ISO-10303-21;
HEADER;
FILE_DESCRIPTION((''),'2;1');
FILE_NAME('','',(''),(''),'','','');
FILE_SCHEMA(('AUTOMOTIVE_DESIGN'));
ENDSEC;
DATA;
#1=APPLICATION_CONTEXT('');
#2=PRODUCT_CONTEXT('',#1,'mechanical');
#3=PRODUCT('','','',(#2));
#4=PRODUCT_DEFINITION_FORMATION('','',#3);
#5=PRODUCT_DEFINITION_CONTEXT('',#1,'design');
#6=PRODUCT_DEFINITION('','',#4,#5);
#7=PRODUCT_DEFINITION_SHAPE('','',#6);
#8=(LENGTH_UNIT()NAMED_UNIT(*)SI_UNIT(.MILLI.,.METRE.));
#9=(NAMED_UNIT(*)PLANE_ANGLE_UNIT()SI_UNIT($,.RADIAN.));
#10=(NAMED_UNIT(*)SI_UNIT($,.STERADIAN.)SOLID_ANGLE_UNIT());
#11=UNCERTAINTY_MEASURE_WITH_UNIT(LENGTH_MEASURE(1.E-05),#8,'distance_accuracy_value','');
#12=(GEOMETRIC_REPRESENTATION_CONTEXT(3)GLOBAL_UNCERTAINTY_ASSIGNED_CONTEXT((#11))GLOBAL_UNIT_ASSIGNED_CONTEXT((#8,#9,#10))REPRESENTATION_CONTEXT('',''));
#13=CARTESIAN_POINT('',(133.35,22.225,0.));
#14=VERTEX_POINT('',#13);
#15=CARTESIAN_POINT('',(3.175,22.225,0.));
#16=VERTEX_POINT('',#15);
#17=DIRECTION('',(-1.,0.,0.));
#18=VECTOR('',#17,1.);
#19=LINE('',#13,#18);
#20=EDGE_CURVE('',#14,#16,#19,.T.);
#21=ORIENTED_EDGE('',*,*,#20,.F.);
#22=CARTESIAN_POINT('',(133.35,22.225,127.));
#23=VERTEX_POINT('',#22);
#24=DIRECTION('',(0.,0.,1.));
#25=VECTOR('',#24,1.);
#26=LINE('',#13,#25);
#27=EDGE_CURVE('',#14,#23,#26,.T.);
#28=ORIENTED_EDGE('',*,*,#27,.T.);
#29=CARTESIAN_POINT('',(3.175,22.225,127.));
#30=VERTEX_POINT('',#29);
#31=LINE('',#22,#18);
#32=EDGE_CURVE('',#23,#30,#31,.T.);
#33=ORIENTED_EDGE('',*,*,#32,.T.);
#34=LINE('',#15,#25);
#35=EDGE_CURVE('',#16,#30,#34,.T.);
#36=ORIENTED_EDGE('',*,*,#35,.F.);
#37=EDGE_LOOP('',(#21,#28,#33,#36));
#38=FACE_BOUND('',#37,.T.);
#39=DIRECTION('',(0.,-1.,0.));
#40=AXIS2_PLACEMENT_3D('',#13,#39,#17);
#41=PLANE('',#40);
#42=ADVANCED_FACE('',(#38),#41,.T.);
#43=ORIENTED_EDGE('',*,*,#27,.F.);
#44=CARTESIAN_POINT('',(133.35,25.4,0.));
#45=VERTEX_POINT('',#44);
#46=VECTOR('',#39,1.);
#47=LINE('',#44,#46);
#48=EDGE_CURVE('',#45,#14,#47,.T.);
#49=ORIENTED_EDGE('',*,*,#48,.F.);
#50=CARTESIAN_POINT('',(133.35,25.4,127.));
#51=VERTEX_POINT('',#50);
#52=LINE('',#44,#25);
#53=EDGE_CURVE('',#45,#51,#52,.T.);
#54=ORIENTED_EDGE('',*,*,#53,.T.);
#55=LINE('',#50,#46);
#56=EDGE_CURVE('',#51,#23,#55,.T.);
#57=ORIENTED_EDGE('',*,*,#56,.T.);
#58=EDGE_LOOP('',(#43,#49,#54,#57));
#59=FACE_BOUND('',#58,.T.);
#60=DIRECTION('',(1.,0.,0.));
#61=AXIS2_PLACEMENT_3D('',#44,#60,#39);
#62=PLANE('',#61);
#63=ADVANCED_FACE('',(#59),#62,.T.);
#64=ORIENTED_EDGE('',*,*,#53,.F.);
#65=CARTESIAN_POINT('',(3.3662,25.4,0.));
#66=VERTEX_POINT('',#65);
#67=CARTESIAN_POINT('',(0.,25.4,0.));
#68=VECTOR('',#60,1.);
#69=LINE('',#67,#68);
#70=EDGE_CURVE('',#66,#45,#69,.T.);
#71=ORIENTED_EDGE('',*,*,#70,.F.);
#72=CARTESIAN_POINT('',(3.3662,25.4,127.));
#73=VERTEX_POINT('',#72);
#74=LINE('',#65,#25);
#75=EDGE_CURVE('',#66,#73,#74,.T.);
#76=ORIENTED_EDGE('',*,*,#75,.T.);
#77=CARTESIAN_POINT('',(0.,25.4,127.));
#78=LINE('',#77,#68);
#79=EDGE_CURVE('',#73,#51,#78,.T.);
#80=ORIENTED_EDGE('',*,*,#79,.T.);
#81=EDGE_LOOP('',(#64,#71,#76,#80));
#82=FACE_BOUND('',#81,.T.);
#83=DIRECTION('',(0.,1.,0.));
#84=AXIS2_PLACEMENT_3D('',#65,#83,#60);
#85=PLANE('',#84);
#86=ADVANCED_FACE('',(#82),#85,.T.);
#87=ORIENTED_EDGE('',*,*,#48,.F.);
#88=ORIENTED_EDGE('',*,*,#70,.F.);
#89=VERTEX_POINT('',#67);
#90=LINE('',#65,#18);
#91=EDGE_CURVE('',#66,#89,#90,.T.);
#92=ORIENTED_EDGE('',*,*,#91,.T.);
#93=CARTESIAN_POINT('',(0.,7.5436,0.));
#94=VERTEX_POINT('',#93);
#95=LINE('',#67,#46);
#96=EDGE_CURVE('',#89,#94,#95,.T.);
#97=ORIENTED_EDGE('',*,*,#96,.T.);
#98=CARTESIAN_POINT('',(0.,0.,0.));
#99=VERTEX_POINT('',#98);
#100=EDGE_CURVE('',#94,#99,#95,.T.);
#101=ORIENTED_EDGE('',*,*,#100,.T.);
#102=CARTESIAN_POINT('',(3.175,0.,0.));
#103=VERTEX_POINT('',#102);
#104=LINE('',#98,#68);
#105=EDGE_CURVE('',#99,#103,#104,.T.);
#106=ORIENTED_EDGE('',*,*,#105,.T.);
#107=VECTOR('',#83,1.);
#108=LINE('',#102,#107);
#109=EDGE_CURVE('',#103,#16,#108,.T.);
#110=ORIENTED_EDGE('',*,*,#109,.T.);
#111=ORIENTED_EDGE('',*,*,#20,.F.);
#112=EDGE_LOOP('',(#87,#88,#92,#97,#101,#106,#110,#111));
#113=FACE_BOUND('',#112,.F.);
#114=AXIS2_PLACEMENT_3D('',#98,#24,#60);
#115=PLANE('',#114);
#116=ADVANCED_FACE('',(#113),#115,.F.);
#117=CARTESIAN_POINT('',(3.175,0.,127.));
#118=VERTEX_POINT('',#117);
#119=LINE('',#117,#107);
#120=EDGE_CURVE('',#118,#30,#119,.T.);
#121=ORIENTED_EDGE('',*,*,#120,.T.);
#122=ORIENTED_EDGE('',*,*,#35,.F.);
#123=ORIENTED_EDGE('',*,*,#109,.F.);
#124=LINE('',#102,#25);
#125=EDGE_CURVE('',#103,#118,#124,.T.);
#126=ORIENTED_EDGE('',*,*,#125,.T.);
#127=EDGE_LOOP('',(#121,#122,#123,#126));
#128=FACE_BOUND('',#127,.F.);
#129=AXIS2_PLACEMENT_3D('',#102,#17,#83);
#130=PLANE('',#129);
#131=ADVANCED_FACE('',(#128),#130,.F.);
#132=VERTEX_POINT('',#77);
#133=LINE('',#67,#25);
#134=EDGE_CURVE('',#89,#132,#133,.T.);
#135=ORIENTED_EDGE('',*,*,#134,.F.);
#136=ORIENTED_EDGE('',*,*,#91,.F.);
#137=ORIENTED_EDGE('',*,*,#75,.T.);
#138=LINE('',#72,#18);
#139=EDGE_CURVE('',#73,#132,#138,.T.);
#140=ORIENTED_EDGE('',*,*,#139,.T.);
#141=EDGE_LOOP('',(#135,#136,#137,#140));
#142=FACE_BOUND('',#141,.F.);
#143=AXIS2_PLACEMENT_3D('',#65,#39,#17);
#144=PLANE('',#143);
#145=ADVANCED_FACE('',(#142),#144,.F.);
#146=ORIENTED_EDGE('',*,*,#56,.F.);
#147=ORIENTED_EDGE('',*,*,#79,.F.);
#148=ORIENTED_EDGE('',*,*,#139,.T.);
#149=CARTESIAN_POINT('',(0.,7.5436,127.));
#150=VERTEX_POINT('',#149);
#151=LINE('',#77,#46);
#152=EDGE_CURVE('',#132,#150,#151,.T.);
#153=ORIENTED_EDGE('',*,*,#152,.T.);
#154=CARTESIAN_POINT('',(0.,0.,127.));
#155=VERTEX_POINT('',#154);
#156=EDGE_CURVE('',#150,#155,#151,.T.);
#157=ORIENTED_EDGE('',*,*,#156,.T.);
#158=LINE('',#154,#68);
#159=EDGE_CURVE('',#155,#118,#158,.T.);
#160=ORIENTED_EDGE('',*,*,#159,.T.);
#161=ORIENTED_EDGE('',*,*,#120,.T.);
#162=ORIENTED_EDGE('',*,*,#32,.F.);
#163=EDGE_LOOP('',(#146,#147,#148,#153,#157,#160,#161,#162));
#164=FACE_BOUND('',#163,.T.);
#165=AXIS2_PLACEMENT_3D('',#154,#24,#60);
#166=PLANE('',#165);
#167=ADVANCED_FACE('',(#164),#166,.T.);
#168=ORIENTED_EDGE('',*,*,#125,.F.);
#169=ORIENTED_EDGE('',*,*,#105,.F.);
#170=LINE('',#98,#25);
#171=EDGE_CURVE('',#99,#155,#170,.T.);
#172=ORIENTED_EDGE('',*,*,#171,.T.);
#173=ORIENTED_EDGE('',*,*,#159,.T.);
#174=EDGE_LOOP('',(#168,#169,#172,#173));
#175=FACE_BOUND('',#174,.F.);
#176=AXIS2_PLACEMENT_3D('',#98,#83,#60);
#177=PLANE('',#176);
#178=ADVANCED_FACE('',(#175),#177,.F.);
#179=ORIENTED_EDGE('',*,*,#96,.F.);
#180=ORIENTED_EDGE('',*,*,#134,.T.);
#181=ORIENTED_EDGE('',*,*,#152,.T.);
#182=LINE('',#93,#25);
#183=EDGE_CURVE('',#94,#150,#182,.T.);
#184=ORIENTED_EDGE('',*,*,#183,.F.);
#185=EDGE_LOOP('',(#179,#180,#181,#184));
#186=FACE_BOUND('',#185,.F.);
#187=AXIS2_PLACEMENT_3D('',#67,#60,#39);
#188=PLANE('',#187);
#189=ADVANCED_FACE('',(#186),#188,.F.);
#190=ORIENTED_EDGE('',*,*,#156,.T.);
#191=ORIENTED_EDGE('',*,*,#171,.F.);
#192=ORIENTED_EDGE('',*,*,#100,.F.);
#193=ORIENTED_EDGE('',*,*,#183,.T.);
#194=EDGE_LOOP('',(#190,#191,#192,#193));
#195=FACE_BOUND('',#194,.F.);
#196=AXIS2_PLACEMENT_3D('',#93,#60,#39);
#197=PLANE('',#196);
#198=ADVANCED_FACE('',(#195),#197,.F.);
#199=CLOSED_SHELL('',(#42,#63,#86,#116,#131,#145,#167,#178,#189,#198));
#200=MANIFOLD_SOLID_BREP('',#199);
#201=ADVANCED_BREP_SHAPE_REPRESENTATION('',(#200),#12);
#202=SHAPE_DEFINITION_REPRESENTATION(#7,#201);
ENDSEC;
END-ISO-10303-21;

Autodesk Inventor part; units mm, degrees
ref_plane "YZ Plane" through (0, 0, 0) normal (1, 0, 0) x (0, 1, 0)
ref_plane "XZ Plane" through (0, 0, 0) normal (0, 1, 0) x (-1, 0, 0)
ref_plane "XY Plane" through (0, 0, 0) normal (0, 0, 1) x (1, 0, 0)
sketch "Sketch1" plane through (0, 0, 0) normal (0, 0, 1) x (1, 0, 0)
  line L0 (0, 0) -> (3.175, 0)
  line L1 (3.175, 0) -> (3.175, 22.225)
  line L2 (3.3662, 25.4) -> (0, 25.4)
  line L3 (0, 25.4) -> (0, 0)
  line L4 (0, 25.4) -> (133.35, 25.4)
  line L5 (133.35, 25.4) -> (133.35, 22.225)
  line L6 (133.35, 22.225) -> (3.175, 22.225)
  line L7 (0, 7.5436) -> (0, 25.4)
  dimension "d0" = 3.175
  dimension "d1" = 3.175
  dimension "d2" = 25.4
  dimension "d3" = 133.35
extrude "Extrusion1" add sketch "Sketch1" along normal blind 127
properties part number "CameraMount" material "Polycarbonate, Clear"
